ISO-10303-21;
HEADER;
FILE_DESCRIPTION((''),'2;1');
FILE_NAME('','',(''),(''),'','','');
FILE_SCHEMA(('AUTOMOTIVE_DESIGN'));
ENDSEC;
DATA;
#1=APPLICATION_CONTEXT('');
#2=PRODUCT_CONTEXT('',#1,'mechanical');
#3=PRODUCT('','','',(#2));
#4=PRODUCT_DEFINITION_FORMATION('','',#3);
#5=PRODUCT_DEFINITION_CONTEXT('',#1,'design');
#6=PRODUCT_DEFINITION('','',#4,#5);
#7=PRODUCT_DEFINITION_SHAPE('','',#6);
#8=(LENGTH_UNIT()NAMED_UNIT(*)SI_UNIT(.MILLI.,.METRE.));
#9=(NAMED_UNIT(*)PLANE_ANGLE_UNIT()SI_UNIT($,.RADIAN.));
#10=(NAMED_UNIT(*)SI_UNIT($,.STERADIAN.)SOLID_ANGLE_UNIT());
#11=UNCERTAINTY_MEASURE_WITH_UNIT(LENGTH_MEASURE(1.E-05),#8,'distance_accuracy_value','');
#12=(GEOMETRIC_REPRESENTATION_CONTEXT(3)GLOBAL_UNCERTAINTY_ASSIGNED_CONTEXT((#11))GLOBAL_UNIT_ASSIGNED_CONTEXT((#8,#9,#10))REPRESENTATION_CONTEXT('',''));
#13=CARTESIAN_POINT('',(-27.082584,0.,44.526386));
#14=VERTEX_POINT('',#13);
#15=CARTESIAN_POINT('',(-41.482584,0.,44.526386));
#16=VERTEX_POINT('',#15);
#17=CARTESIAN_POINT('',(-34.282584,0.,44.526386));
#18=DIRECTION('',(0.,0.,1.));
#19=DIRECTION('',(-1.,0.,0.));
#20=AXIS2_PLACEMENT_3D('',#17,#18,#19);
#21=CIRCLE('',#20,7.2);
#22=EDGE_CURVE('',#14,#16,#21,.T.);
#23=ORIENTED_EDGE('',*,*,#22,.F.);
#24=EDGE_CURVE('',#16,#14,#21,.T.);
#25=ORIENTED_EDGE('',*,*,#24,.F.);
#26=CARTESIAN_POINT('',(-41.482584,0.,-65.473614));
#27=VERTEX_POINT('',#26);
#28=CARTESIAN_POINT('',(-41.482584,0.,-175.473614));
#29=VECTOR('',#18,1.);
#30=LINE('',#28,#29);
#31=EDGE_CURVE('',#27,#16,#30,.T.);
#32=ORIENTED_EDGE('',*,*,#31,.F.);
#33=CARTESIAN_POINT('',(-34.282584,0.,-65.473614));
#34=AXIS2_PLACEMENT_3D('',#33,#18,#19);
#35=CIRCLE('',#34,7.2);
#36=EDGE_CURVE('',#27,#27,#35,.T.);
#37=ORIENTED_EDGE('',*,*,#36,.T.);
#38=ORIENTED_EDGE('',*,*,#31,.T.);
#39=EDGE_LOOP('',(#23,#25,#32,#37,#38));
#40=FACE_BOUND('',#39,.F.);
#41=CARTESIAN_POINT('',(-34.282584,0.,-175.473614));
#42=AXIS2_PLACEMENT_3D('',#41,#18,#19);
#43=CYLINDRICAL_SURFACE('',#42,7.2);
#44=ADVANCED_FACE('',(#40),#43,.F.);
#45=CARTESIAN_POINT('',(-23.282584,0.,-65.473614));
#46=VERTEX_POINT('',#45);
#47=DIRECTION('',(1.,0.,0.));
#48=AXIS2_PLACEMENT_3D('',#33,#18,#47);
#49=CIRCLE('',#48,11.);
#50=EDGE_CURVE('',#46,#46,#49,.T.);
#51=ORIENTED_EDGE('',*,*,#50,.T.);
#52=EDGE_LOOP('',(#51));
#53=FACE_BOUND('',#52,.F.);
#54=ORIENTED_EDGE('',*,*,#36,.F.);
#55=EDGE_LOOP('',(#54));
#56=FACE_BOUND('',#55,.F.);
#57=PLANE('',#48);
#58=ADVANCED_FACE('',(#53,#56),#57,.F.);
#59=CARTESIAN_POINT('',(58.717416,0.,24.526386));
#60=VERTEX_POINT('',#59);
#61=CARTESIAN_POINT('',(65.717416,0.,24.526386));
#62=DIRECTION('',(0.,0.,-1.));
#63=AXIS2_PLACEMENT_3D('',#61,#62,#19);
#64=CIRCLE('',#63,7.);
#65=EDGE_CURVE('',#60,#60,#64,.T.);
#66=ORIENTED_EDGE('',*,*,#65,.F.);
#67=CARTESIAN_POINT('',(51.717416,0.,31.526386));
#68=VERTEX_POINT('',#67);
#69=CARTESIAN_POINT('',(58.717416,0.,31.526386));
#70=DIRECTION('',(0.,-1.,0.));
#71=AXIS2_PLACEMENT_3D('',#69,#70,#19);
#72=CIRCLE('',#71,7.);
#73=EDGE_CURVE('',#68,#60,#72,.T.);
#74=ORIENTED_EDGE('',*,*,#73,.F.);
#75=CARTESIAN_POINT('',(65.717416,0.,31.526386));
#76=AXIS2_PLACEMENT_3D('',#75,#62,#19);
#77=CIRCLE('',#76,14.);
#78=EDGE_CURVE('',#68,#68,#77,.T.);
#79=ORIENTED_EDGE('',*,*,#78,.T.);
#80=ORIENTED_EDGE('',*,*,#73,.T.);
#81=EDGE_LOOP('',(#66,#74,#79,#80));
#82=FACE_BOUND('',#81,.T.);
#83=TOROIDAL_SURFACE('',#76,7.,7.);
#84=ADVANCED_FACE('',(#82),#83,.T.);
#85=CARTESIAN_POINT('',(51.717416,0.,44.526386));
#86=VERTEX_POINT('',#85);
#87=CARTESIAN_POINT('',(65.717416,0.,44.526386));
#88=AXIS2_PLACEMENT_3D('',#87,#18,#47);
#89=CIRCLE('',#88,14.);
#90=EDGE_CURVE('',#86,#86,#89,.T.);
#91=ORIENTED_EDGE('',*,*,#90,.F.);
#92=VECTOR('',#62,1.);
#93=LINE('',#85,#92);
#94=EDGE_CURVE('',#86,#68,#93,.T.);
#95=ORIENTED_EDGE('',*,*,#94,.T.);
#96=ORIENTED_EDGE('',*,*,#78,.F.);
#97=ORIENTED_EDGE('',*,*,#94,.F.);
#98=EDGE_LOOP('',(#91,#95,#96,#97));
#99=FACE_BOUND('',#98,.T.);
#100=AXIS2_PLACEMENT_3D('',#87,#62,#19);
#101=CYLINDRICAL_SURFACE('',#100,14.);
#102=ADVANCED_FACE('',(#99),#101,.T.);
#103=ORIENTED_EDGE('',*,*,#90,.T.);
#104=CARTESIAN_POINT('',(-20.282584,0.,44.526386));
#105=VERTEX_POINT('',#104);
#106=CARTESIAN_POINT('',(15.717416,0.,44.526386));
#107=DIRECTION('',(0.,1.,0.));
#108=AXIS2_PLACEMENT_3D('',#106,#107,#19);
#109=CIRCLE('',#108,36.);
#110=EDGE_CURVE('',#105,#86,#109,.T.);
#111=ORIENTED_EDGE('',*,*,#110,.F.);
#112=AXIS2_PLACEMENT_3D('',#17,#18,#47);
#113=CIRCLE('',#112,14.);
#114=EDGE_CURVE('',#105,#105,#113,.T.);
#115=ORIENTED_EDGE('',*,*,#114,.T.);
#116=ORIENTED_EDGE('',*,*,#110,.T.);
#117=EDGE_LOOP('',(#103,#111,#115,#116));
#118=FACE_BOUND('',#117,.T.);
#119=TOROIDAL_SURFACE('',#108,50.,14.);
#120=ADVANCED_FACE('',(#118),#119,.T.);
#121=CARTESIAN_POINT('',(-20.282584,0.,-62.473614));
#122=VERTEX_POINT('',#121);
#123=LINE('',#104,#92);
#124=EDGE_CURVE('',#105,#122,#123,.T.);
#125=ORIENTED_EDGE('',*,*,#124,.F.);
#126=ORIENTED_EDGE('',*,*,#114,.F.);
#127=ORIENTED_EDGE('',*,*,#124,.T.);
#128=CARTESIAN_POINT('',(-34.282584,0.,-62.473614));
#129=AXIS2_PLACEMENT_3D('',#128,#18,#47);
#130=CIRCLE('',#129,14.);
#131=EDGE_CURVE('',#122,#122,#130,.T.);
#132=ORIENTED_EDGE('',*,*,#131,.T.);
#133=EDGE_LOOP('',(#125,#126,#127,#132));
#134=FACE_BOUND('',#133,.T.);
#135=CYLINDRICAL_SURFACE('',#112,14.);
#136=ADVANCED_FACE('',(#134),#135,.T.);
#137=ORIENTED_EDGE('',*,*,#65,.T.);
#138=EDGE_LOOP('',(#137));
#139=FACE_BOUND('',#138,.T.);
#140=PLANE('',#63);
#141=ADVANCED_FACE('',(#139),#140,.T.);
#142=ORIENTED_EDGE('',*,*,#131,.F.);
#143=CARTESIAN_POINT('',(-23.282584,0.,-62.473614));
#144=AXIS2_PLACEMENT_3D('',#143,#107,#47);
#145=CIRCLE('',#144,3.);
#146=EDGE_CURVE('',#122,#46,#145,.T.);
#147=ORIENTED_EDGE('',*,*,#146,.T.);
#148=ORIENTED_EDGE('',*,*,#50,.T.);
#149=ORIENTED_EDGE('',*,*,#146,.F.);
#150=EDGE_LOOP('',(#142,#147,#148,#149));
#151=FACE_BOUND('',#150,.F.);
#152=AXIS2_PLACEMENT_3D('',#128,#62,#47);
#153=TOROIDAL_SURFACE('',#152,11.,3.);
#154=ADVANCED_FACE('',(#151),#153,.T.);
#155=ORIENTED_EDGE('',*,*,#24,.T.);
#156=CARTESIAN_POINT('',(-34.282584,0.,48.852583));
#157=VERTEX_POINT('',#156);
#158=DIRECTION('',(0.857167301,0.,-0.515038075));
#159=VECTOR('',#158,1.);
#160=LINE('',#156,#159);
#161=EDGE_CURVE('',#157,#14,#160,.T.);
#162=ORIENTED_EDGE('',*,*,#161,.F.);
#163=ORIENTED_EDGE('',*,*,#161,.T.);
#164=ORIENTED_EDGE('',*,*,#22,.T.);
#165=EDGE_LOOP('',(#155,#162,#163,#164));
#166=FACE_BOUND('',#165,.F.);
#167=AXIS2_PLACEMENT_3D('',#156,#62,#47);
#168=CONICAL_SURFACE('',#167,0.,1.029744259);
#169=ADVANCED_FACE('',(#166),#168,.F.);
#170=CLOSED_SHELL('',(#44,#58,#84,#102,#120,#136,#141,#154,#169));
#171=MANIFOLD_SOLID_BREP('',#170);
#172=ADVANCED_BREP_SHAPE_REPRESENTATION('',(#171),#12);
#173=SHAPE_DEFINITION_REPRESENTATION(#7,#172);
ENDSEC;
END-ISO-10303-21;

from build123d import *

# Parameters (mm, degrees)
F2_R     = 14
F3_DEPTH = 110
F5_R     = 7
F7_D     = 14.4
F7_DEPTH = 110
F7_TIP   = 4.326196457
F8_R     = 3


with BuildPart() as f3:
    # F2 (on plane+point) → F3 (new body)
    with BuildSketch(Plane.XY.offset(44.526386261)):
        with Locations((-34.2825837433, 0)):
            Circle(F2_R)
    extrude(amount=-F3_DEPTH)

    # F4: sweep along a path in F0
    with BuildLine(Plane.XZ) as f4_path:
        ThreePointArc((-34.2825837433, 44.526386261), (15.7174162567, 94.526386261), (65.7174162567, 44.526386261))
        Line((65.7174162567, 44.526386261), (65.7174162567, 24.526386261))
    # F2 (on plane+point) → F4 (sweep)
    with BuildSketch(Plane.XY.offset(44.526386261)):
        with Locations((-34.2825837433, 0)):
            Circle(F2_R)
    sweep(path=f4_path.line)

    # F5
    f5_edges = [f3.edges().sort_by_distance(p)[0] for p in [
        (79.717416, 0, 24.526386),
    ]]
    fillet(f5_edges, radius=F5_R)

    # F7
    with Locations(Plane(origin=(0, 0, -65.473613739), x_dir=(1, 0, 0), z_dir=(0, 0, -1))):
        with Locations((-34.2825837433, 0)):
            Hole(F7_D / 2, depth=F7_DEPTH)
            with Locations((0, 0, -(F7_DEPTH + F7_TIP / 2))):  # 118° drill point
                Cone(0, F7_D / 2, F7_TIP, mode=Mode.SUBTRACT)

    # F8
    f8_edges = [f3.edges().sort_by_distance(p)[0] for p in [
        (-48.282584, 0, -65.473614),
    ]]
    fillet(f8_edges, radius=F8_R)


solid = f3.part
